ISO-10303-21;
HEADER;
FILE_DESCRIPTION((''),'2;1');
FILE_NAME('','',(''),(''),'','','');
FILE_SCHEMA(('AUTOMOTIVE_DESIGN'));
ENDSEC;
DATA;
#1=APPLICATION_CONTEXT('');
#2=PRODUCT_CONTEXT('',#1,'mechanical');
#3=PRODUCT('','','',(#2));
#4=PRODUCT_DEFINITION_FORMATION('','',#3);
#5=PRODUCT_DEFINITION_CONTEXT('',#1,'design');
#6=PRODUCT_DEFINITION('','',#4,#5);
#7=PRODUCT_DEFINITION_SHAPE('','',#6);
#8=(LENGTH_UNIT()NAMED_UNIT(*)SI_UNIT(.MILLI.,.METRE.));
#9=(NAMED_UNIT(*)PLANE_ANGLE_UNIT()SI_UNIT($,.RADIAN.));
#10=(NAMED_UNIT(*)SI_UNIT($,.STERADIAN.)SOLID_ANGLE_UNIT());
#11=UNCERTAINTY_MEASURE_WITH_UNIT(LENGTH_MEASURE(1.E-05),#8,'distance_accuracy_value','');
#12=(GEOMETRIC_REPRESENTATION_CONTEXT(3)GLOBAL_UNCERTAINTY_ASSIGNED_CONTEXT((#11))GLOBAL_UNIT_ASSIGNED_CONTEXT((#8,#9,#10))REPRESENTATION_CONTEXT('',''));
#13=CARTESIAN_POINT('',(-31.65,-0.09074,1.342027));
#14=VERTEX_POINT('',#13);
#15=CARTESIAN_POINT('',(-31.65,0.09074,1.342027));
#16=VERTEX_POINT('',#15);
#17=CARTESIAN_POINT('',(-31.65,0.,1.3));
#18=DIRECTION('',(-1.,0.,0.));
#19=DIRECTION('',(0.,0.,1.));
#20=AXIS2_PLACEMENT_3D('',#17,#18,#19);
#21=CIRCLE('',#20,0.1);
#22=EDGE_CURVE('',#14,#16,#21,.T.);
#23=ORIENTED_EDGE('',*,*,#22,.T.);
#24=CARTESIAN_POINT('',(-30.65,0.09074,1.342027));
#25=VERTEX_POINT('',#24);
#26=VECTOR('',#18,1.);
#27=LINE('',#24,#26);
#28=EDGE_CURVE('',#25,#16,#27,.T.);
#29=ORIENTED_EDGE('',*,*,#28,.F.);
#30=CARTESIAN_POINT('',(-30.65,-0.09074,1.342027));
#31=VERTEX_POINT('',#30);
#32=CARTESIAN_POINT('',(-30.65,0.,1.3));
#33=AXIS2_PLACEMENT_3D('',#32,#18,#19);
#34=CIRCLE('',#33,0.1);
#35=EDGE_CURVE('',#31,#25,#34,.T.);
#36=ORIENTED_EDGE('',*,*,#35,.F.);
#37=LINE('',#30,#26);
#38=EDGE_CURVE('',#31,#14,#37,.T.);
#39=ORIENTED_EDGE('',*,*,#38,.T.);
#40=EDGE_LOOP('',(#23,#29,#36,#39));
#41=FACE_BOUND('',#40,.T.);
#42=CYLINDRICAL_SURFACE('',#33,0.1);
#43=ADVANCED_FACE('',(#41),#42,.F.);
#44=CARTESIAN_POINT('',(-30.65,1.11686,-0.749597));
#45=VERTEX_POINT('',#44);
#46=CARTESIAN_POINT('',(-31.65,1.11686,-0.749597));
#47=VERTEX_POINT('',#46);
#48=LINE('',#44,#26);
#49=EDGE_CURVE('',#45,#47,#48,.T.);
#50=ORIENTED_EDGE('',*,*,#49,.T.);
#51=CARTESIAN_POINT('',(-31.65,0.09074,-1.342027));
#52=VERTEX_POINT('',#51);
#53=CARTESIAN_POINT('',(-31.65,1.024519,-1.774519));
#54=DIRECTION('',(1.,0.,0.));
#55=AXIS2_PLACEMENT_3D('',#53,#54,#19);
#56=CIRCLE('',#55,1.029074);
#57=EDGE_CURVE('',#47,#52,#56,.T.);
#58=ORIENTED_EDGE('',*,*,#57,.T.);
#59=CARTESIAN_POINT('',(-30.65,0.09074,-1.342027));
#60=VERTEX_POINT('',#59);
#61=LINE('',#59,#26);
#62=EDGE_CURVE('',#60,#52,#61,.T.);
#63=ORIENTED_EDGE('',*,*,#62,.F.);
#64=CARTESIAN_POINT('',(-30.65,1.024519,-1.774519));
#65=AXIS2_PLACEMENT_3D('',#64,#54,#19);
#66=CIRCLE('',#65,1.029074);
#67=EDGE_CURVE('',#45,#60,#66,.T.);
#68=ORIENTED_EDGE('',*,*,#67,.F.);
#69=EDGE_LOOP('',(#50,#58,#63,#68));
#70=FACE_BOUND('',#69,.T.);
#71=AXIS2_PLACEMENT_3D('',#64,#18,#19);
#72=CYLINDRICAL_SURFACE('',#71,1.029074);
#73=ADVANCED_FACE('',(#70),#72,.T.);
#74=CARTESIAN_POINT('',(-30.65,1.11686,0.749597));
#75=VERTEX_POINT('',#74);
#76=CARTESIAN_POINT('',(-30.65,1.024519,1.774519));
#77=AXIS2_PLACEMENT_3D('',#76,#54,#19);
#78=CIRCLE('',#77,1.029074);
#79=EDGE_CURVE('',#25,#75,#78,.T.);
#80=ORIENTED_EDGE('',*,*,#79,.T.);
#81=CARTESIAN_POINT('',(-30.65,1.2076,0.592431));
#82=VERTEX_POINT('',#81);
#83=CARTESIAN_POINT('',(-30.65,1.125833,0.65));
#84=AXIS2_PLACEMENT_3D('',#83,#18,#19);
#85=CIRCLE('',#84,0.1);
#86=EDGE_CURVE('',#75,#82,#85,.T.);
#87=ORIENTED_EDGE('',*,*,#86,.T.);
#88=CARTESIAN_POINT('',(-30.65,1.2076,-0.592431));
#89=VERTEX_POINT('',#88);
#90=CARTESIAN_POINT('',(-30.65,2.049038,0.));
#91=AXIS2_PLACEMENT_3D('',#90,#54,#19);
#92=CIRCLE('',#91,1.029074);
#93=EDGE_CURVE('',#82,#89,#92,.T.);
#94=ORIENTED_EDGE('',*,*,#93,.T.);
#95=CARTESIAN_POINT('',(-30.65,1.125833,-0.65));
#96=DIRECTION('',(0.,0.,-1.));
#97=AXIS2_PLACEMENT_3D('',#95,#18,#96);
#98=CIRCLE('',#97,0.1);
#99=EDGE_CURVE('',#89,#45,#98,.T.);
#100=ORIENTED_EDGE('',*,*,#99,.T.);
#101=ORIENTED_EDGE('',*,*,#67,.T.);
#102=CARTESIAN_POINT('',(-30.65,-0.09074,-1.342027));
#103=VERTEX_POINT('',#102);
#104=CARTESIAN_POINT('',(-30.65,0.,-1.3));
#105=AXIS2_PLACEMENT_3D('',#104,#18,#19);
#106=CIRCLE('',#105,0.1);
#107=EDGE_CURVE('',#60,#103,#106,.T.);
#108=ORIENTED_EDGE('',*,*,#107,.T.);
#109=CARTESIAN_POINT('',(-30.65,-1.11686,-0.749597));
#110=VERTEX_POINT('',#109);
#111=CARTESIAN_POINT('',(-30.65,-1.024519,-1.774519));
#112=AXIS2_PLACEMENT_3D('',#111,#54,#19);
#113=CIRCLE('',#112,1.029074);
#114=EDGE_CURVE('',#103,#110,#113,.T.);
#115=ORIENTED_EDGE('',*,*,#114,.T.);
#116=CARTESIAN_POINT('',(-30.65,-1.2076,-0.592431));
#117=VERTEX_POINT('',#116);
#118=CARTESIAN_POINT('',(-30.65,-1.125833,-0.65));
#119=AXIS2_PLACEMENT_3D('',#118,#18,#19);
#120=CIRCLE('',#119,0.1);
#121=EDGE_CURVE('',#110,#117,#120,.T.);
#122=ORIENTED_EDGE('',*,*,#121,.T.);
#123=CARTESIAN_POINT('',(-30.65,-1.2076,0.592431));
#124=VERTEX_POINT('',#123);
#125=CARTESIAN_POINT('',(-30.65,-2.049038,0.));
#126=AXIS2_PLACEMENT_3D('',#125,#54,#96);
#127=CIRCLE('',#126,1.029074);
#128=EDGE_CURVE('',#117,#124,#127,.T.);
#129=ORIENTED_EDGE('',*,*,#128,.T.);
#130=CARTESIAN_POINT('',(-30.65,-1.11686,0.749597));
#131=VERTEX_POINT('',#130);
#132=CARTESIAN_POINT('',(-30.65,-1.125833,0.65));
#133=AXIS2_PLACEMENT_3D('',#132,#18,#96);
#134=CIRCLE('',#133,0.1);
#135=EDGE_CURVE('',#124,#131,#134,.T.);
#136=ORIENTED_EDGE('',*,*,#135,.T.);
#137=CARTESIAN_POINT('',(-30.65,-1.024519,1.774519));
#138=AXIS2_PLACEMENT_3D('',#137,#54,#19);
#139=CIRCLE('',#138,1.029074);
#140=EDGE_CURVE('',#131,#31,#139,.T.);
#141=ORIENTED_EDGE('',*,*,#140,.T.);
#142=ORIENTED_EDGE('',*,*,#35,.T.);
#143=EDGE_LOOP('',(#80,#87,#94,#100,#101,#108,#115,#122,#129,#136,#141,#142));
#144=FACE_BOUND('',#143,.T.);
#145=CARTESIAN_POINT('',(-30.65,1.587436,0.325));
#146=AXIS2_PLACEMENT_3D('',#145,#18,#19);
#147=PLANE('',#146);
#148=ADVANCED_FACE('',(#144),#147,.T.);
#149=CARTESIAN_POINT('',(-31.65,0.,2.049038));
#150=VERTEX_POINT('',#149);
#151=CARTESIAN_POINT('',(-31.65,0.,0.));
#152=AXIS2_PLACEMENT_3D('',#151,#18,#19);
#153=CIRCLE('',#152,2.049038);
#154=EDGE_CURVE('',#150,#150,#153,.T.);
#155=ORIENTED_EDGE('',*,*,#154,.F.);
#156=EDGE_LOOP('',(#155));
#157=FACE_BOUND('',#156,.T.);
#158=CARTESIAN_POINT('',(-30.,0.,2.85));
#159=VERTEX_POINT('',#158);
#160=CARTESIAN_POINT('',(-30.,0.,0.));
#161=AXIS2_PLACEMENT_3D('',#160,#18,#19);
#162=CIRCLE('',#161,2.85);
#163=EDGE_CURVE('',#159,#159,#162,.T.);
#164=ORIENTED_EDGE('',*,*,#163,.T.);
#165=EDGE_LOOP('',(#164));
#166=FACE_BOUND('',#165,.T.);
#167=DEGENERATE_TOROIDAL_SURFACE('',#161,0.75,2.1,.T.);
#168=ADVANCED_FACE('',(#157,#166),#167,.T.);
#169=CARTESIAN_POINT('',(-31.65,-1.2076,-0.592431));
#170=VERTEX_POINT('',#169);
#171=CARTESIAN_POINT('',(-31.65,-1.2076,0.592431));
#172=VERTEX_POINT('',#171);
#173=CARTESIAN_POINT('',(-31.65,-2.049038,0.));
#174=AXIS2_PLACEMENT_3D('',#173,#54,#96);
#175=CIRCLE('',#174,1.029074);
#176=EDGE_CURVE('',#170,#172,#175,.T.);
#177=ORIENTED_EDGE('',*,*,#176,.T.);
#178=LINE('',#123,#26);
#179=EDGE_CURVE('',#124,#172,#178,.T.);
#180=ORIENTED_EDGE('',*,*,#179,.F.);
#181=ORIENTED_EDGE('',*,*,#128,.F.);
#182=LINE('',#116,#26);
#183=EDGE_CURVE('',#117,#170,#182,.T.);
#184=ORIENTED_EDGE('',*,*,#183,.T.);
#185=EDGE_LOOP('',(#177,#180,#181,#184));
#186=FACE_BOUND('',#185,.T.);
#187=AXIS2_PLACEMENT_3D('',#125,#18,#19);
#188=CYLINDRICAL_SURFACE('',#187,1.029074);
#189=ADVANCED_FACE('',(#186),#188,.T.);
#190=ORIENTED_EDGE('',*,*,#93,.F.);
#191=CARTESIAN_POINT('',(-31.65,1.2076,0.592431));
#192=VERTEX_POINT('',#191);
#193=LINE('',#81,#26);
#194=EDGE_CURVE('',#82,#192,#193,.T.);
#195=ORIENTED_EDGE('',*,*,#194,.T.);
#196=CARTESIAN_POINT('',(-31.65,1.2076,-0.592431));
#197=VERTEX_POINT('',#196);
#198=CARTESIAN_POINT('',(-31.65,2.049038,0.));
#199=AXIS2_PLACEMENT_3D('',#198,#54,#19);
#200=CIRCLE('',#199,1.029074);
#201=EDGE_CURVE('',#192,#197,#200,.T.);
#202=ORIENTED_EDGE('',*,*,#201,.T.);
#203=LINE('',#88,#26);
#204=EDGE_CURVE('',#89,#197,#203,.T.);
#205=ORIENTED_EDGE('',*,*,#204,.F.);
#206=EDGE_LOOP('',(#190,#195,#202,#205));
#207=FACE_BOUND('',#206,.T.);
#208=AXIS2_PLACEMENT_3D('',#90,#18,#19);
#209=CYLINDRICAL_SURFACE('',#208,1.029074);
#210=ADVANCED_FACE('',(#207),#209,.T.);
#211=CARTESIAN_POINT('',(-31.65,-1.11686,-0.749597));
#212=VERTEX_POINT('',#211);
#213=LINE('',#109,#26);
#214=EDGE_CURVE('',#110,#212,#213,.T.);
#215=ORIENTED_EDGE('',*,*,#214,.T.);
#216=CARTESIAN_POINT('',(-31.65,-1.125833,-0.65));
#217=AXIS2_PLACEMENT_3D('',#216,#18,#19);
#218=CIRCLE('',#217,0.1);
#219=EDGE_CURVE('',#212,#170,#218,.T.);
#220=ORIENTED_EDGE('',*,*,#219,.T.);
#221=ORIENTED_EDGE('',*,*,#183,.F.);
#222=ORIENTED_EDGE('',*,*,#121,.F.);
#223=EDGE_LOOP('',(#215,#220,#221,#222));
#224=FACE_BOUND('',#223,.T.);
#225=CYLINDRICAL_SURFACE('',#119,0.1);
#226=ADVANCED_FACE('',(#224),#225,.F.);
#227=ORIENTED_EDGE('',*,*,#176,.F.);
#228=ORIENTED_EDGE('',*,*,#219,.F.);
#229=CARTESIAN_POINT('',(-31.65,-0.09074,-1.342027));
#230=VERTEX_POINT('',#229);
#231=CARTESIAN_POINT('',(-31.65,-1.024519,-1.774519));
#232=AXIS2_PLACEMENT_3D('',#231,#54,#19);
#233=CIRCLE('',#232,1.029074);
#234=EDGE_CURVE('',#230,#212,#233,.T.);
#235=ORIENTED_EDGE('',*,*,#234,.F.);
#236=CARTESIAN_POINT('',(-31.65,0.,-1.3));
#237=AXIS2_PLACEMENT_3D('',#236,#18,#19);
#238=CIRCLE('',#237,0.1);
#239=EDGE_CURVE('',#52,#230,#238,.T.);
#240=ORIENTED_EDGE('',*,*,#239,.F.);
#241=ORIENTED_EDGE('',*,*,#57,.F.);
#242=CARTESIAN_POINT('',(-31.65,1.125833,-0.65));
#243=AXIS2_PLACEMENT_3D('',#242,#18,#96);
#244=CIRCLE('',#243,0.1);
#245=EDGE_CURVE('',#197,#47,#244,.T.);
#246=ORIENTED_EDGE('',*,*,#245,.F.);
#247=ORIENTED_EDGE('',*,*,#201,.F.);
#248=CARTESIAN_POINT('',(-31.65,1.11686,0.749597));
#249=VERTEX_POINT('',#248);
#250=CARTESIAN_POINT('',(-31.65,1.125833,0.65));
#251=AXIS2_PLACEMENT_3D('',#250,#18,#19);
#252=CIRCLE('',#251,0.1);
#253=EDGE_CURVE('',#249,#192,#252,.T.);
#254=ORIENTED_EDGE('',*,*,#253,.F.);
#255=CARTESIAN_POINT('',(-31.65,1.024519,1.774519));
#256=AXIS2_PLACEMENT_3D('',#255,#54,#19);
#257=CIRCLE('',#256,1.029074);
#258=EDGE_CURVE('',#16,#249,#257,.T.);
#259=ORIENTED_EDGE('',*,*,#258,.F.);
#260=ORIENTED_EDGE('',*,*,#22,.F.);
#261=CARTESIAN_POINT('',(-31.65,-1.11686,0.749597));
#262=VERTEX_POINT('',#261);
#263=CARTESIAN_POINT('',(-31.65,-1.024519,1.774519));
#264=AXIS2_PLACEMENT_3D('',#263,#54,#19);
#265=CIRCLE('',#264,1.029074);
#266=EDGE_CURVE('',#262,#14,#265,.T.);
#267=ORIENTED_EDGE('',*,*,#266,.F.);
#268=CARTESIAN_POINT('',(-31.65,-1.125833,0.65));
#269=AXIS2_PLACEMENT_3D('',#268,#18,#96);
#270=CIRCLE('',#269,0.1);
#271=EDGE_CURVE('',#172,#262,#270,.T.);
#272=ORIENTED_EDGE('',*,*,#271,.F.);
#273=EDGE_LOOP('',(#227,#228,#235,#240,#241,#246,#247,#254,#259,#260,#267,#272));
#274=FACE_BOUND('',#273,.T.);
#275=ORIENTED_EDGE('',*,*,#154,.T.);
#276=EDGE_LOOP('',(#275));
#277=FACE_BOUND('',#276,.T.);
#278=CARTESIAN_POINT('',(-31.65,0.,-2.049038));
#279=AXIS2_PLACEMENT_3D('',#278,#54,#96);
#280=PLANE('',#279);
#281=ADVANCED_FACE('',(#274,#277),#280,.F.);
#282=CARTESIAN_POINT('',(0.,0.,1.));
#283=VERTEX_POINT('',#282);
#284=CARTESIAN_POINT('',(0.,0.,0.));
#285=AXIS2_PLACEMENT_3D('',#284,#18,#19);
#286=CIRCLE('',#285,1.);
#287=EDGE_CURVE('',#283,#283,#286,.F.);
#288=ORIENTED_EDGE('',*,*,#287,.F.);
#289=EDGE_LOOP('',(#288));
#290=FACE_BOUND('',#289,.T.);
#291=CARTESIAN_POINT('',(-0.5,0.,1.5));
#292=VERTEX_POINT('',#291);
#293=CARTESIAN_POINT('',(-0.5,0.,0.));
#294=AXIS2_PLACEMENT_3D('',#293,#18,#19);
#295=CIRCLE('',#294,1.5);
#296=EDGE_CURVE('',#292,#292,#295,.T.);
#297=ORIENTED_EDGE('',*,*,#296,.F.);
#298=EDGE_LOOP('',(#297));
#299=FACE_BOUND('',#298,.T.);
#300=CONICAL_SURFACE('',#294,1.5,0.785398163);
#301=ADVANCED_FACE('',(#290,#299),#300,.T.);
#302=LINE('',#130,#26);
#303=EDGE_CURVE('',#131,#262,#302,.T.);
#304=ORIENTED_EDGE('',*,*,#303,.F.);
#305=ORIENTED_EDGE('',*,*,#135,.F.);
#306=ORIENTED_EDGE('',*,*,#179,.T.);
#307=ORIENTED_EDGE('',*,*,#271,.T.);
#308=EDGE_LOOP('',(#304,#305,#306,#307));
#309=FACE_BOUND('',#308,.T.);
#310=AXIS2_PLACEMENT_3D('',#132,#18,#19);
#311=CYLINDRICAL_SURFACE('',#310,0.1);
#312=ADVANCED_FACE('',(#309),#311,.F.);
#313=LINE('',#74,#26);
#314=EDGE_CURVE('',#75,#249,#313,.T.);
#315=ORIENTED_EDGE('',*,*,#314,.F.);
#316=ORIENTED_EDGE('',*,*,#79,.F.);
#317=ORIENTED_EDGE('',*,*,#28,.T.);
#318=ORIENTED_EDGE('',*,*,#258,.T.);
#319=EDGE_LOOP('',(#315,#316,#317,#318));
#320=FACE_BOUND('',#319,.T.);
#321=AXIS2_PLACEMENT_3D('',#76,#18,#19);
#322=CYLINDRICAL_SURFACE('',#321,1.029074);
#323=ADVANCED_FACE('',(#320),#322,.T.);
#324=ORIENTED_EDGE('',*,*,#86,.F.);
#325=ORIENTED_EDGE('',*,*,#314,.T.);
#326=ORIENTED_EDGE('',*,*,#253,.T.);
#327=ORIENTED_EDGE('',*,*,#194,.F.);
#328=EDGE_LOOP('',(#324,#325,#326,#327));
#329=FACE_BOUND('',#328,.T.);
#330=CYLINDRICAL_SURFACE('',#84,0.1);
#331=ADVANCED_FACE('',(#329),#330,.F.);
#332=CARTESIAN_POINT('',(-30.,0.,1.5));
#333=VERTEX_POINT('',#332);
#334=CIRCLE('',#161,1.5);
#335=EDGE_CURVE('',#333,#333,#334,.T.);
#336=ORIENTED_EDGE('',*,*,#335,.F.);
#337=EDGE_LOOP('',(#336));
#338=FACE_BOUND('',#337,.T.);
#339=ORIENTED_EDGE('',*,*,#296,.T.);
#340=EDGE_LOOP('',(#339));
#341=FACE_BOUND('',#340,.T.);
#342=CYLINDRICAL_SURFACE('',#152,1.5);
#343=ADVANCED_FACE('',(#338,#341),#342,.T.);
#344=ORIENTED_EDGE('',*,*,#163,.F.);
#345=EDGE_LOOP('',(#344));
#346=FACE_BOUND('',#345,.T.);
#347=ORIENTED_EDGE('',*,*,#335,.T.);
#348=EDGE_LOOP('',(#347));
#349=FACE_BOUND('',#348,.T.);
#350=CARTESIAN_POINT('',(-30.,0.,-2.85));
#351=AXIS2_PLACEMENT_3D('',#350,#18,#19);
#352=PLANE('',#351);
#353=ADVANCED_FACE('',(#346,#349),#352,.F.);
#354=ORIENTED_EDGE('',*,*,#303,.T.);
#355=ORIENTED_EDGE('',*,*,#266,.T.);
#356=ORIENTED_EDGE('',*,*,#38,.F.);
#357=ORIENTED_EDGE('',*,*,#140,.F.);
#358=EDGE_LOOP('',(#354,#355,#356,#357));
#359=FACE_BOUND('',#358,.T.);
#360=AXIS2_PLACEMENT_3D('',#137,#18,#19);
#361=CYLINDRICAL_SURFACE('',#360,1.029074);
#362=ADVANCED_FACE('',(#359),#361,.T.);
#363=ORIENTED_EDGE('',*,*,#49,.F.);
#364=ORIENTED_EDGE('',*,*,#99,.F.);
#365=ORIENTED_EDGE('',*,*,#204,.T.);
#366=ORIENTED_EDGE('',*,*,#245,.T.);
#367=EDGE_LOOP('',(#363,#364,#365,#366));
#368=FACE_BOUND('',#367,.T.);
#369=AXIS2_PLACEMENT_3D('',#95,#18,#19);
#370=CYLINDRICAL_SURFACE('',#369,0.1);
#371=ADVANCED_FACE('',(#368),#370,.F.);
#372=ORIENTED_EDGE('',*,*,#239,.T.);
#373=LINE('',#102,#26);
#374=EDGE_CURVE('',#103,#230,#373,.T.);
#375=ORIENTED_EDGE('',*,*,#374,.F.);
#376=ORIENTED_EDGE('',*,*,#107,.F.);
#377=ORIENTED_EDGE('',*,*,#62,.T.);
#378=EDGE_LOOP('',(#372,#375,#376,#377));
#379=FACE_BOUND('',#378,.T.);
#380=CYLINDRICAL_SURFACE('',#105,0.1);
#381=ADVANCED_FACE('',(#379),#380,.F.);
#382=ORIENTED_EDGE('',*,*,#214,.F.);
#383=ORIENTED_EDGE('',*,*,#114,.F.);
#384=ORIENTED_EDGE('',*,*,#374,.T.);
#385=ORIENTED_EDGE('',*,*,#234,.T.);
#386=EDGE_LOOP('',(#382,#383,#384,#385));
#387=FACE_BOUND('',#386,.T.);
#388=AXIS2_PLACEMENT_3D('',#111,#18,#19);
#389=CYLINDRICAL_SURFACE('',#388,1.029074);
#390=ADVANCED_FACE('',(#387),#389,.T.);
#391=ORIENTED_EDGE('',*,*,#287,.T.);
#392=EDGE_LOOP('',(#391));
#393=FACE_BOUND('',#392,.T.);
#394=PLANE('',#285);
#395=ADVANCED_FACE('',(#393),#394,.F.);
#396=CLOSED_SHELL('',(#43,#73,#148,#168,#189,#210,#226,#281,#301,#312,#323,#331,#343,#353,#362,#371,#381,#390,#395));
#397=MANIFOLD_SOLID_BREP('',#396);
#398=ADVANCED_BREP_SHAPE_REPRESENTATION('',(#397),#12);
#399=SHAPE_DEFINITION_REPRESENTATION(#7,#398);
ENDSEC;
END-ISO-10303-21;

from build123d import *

# Parameters (mm, degrees)
CHAMFER1_SIZE      = 0.5
CUT_EXTRUDE1_DEPTH = 1


with BuildPart() as part:
    # Sketch2 → Revolve1 (revolve)
    with BuildSketch(Plane(origin=(0, 0, 0), x_dir=(1, 0, 0), z_dir=(0, 1, 0)), mode=Mode.PRIVATE) as revolve1_sk:
        with BuildLine():
            Line((0, 0), (0, 1.5))
            Line((0, 1.5), (-30, 1.5))
            Line((-30, 1.5), (-30, 2.85))
            ThreePointArc((-30, 2.85), (-30.917065968, 2.639177072), (-31.65, 2.049038106))
            Line((-31.65, 2.049038106), (-31.65, 0))
            Line((-31.65, 0), (0, 0))
        make_face()
    revolve(revolve1_sk.sketch.rotate(Axis((-31.65, 0, 0), (1, 0, 0)), 180), axis=Axis((-31.65, 0, 0), (1, 0, 0)))

    # Chamfer1
    chamfer1_edges = [part.edges().sort_by_distance(p)[0] for p in [
        (0, 0, -1.5),
    ]]
    chamfer(chamfer1_edges, length=CHAMFER1_SIZE)

    # Sketch4 → Cut-Extrude1 (cut)
    with BuildSketch(Plane.ZY.offset(31.65)):
        with BuildLine():
            ThreePointArc((-1.342027284, 0.090739778), (-0.883315009, 0.509982158), (-0.749596595, 1.116859832))
            ThreePointArc((-0.749596595, 1.116859832), (-0.7, 1.212435565), (-0.592430689, 1.20759961))
            ThreePointArc((-0.592430689, 1.20759961), (0, 1.019964317), (0.592430689, 1.20759961))
            ThreePointArc((0.592430689, 1.20759961), (0.7, 1.212435565), (0.749596595, 1.116859832))
            ThreePointArc((0.749596595, 1.116859832), (0.883315009, 0.509982158), (1.342027284, 0.090739778))
            ThreePointArc((1.342027284, 0.090739778), (1.4, 0), (1.342027284, -0.090739778))
            ThreePointArc((1.342027284, -0.090739778), (0.883315009, -0.509982158), (0.749596595, -1.116859832))
            ThreePointArc((0.749596595, -1.116859832), (0.7, -1.212435565), (0.592430689, -1.20759961))
            ThreePointArc((0.592430689, -1.20759961), (0, -1.019964317), (-0.592430689, -1.20759961))
            ThreePointArc((-0.592430689, -1.20759961), (-0.7, -1.212435565), (-0.749596595, -1.116859832))
            ThreePointArc((-0.749596595, -1.116859832), (-0.883315009, -0.509982158), (-1.342027284, -0.090739778))
            ThreePointArc((-1.342027284, -0.090739778), (-1.4, 0), (-1.342027284, 0.090739778))
        make_face()
    extrude(amount=-CUT_EXTRUDE1_DEPTH, mode=Mode.SUBTRACT)


solid = part.part
